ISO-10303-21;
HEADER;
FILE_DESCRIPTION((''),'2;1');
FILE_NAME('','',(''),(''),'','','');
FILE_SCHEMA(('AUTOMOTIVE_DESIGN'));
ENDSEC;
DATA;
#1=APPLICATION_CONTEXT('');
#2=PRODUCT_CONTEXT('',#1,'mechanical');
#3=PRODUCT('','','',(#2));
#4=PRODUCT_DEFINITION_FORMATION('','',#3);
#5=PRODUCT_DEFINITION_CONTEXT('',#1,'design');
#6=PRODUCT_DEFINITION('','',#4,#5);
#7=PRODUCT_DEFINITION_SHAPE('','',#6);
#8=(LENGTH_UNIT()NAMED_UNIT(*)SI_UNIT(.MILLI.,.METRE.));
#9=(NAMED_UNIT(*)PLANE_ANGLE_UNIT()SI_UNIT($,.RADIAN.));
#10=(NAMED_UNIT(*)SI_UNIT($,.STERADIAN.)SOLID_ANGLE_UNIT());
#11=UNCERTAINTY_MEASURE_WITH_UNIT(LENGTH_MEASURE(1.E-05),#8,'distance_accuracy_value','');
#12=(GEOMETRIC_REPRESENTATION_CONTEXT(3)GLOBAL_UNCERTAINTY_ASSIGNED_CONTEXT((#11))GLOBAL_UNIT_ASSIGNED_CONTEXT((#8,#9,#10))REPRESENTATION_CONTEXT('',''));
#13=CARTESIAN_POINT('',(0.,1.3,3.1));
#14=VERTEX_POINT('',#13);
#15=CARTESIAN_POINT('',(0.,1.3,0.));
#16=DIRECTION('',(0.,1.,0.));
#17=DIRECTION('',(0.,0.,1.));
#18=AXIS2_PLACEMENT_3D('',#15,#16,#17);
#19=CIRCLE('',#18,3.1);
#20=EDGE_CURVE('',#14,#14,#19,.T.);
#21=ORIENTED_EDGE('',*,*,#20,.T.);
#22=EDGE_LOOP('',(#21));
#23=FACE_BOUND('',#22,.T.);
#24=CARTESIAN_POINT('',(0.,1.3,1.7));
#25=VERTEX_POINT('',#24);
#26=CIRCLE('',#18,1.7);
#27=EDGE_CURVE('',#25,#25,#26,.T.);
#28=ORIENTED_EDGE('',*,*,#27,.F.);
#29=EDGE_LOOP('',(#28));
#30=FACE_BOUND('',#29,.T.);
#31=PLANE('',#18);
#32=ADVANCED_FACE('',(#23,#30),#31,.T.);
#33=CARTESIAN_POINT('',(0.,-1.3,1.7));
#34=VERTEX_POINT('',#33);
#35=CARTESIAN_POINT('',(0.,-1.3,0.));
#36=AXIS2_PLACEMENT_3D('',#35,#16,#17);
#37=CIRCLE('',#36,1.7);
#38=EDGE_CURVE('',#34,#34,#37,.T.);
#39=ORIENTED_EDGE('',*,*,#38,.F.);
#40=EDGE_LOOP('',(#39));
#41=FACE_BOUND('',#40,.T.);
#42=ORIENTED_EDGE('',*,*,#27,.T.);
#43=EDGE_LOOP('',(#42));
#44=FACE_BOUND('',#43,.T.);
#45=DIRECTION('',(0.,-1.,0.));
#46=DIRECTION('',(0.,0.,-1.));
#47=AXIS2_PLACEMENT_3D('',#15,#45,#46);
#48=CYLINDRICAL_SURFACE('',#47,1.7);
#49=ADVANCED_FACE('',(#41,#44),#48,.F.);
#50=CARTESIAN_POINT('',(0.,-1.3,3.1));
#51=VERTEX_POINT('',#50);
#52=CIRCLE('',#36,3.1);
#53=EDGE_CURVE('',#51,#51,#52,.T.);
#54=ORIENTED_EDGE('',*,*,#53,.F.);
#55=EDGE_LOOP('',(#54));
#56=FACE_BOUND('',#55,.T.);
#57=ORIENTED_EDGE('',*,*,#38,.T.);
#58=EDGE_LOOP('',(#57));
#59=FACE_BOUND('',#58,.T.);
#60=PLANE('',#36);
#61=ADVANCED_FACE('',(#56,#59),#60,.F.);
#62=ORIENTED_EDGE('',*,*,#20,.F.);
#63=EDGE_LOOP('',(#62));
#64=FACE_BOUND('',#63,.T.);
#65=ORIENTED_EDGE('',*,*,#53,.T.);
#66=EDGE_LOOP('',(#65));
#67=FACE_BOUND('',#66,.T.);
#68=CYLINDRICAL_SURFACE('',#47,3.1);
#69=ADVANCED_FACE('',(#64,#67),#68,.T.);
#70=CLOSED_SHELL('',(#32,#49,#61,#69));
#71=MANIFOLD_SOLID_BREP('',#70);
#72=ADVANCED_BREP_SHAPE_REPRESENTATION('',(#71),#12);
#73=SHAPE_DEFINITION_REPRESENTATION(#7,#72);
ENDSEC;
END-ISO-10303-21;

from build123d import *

# Parameters (mm, degrees)
SKETCH1_R           = 3.1
SKETCH1_R_2         = 1.7
BOSS_EXTRUDE1_DEPTH = 1.3


with BuildPart() as part:
    # Sketch1 → Boss-Extrude1 (new body, symmetric)
    with BuildSketch(Plane(origin=(0, 0, 0), x_dir=(1, 0, 0), z_dir=(0, 1, 0))):
        Circle(SKETCH1_R)
        Circle(SKETCH1_R_2, mode=Mode.SUBTRACT)
    extrude(amount=BOSS_EXTRUDE1_DEPTH, both=True)


solid = part.part
